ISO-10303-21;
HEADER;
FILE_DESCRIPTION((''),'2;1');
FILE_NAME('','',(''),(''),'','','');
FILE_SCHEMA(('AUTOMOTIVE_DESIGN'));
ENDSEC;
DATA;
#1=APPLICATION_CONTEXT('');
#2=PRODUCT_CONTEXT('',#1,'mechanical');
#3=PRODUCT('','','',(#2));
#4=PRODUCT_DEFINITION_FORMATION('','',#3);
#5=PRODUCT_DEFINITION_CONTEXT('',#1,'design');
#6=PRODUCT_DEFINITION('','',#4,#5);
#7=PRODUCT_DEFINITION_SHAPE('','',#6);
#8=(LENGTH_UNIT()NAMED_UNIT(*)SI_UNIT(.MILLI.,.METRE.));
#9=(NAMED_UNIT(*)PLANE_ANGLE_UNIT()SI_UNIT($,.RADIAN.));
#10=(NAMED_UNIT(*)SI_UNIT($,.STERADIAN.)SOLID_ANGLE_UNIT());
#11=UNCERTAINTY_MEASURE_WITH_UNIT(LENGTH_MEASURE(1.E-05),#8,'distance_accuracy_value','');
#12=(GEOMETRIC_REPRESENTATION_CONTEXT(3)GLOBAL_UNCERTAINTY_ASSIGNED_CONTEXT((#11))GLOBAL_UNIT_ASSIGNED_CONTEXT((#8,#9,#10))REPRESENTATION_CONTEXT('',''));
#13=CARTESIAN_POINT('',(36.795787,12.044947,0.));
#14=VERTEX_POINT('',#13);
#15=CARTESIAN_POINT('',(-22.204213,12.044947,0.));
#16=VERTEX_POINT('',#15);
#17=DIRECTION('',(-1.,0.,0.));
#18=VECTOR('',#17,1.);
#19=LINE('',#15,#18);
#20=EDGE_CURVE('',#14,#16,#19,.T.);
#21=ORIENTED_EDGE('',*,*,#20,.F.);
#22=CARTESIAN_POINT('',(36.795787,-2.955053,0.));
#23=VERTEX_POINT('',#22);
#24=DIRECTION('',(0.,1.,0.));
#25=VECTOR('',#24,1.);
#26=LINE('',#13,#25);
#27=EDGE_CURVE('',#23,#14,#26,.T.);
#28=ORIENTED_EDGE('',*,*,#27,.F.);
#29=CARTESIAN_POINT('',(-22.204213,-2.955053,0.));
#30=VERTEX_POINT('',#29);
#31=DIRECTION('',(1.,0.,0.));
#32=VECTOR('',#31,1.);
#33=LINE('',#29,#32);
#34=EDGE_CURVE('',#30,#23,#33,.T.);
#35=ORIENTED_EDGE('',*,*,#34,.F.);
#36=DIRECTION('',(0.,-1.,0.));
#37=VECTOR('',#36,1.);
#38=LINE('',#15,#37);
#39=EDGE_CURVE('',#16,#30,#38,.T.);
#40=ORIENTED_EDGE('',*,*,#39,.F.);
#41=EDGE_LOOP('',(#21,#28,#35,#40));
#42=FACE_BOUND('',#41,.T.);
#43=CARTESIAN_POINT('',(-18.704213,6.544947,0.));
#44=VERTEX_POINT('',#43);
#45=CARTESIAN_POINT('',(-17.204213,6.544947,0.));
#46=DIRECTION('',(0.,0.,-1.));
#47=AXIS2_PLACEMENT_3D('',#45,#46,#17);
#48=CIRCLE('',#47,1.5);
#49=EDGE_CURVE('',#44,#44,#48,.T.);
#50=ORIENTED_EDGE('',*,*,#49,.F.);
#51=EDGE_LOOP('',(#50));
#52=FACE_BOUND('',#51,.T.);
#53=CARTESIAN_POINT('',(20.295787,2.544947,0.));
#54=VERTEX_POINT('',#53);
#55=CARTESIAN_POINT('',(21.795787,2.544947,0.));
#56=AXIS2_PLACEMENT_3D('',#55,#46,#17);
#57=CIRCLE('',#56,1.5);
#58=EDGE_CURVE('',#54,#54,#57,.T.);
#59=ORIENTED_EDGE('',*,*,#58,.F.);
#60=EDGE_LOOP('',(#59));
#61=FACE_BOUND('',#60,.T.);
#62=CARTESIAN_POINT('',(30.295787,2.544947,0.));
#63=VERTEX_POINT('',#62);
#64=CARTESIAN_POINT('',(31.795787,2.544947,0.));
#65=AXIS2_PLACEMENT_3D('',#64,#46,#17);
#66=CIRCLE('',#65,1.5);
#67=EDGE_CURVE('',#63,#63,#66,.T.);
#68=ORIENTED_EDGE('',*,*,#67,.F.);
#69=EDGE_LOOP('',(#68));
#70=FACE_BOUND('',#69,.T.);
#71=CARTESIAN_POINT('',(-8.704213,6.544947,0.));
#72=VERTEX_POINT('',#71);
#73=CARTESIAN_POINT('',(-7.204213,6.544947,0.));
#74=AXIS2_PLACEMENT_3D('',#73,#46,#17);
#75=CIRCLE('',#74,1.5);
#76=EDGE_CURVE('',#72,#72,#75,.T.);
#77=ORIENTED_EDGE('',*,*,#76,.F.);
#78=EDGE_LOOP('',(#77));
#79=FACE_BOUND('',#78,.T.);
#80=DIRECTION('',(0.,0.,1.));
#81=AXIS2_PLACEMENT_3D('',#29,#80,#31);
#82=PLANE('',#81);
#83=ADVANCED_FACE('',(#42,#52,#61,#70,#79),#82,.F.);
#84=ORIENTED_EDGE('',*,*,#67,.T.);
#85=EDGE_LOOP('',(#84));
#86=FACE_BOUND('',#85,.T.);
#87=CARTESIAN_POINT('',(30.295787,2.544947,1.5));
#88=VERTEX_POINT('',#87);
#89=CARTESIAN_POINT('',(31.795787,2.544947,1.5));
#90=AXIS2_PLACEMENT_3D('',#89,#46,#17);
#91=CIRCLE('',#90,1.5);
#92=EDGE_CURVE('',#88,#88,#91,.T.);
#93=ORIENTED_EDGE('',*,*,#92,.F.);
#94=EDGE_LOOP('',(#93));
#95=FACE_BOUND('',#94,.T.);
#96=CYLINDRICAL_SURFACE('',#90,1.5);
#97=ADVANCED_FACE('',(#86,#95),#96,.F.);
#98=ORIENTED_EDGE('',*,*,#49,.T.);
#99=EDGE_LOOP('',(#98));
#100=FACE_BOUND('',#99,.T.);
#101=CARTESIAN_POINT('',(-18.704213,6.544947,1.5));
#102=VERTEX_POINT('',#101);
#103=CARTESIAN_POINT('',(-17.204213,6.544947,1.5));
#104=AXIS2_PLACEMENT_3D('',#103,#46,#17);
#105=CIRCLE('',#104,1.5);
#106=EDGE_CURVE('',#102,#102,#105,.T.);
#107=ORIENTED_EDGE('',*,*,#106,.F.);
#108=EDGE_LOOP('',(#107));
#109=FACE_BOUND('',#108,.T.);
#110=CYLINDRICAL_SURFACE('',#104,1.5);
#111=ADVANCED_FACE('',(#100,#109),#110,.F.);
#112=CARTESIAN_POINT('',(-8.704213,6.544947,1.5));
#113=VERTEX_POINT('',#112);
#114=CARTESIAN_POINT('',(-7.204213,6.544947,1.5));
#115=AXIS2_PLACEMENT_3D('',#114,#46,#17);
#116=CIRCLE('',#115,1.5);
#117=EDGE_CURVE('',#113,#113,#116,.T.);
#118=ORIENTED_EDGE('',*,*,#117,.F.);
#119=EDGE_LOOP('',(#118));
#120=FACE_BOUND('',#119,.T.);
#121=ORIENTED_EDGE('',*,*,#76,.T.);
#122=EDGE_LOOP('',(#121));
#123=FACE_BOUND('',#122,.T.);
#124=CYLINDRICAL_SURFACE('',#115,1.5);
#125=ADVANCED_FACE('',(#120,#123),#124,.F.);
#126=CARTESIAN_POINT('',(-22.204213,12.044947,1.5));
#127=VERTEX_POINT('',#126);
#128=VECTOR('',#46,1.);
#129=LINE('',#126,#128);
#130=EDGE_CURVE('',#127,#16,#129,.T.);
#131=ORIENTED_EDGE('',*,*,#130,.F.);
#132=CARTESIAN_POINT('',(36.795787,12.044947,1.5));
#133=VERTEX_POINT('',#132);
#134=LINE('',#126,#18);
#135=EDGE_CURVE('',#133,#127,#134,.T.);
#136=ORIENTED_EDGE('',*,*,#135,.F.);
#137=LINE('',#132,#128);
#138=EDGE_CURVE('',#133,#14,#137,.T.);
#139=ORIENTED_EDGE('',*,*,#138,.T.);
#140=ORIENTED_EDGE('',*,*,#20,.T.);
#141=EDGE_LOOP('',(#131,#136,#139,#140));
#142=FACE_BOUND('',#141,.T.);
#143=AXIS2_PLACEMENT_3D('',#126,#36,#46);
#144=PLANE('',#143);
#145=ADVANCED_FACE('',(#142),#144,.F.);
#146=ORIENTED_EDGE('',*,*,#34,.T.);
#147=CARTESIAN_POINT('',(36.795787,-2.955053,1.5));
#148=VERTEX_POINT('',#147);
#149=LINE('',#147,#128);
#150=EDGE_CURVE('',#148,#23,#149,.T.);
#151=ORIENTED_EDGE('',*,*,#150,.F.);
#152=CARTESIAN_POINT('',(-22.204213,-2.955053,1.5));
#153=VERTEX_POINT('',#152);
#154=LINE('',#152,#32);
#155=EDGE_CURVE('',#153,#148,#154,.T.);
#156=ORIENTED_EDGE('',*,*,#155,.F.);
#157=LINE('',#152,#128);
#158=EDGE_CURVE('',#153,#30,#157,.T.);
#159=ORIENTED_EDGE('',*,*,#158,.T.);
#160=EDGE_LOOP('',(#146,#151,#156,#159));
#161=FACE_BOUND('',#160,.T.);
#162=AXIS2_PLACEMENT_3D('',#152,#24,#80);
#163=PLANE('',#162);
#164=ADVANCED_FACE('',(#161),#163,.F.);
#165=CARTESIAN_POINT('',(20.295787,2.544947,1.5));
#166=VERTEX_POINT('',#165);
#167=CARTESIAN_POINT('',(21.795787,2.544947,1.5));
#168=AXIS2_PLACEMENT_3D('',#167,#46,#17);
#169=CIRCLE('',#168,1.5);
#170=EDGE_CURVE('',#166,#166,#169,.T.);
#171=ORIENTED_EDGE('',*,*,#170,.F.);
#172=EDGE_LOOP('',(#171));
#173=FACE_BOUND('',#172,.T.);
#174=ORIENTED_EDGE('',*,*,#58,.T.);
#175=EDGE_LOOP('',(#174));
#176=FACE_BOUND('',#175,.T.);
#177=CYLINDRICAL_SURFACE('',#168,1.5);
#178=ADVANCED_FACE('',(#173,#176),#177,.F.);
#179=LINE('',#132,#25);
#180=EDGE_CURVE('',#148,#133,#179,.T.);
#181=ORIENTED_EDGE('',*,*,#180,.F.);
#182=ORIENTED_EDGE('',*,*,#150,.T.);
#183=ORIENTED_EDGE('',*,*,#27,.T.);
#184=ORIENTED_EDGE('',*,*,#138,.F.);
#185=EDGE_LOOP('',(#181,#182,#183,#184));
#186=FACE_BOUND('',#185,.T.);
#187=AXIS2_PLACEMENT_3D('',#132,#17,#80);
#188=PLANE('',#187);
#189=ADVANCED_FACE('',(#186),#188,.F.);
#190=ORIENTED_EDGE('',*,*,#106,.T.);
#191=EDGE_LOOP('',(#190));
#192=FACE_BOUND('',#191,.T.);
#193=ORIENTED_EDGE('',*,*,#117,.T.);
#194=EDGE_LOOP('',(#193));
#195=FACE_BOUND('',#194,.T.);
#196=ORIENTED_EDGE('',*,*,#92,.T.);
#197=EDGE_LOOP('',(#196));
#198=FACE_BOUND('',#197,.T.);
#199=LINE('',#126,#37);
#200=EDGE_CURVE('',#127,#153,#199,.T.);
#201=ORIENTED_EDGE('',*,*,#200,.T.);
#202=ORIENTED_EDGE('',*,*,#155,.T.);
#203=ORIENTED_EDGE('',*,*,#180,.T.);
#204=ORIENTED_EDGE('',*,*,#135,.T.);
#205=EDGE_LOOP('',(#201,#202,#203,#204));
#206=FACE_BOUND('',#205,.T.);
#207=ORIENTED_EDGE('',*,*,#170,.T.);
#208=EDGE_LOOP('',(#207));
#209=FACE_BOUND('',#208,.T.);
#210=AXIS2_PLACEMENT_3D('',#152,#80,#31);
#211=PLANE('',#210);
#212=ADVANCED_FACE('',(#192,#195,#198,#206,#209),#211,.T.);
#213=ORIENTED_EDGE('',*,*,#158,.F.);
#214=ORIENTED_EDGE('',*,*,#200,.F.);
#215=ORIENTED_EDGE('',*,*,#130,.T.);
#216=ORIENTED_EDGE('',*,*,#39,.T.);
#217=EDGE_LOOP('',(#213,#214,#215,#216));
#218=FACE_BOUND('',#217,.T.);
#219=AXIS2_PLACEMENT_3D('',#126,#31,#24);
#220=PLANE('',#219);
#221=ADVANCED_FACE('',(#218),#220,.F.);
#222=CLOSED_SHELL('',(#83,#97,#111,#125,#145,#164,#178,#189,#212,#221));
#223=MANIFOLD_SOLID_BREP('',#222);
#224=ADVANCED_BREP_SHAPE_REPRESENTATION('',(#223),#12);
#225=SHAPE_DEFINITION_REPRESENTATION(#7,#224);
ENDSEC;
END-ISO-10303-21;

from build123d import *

# Parameters (mm, degrees)
ESQUISSE1_W      = 59
ESQUISSE1_H      = 15
EXTRUSION1_DEPTH = 1.5
ESQUISSE2_R      = 1.5
EXTRUSION2_DEPTH = 1.5


with BuildPart() as part:
    # Esquisse1 → Extrusion1 (new body)
    with BuildSketch(Plane.XY):
        with Locations((7.295787304, 4.544947368)):
            Rectangle(ESQUISSE1_W, ESQUISSE1_H)
    extrude(amount=EXTRUSION1_DEPTH)

    # Esquisse2 → Extrusion2 (cut)
    with BuildSketch(Plane(origin=(0, 0, 0), x_dir=(-1, 0, 0), z_dir=(0, 0, -1))):
        with Locations((-31.795787304, 2.544947368)):
            Circle(ESQUISSE2_R)
        with Locations((-21.795787304, 2.544947368)):
            Circle(ESQUISSE2_R)
        with Locations((17.204212696, 6.544947368)):
            Circle(ESQUISSE2_R)
        with Locations((7.204212696, 6.544947368)):
            Circle(ESQUISSE2_R)
    extrude(amount=-EXTRUSION2_DEPTH, mode=Mode.SUBTRACT)


solid = part.part
